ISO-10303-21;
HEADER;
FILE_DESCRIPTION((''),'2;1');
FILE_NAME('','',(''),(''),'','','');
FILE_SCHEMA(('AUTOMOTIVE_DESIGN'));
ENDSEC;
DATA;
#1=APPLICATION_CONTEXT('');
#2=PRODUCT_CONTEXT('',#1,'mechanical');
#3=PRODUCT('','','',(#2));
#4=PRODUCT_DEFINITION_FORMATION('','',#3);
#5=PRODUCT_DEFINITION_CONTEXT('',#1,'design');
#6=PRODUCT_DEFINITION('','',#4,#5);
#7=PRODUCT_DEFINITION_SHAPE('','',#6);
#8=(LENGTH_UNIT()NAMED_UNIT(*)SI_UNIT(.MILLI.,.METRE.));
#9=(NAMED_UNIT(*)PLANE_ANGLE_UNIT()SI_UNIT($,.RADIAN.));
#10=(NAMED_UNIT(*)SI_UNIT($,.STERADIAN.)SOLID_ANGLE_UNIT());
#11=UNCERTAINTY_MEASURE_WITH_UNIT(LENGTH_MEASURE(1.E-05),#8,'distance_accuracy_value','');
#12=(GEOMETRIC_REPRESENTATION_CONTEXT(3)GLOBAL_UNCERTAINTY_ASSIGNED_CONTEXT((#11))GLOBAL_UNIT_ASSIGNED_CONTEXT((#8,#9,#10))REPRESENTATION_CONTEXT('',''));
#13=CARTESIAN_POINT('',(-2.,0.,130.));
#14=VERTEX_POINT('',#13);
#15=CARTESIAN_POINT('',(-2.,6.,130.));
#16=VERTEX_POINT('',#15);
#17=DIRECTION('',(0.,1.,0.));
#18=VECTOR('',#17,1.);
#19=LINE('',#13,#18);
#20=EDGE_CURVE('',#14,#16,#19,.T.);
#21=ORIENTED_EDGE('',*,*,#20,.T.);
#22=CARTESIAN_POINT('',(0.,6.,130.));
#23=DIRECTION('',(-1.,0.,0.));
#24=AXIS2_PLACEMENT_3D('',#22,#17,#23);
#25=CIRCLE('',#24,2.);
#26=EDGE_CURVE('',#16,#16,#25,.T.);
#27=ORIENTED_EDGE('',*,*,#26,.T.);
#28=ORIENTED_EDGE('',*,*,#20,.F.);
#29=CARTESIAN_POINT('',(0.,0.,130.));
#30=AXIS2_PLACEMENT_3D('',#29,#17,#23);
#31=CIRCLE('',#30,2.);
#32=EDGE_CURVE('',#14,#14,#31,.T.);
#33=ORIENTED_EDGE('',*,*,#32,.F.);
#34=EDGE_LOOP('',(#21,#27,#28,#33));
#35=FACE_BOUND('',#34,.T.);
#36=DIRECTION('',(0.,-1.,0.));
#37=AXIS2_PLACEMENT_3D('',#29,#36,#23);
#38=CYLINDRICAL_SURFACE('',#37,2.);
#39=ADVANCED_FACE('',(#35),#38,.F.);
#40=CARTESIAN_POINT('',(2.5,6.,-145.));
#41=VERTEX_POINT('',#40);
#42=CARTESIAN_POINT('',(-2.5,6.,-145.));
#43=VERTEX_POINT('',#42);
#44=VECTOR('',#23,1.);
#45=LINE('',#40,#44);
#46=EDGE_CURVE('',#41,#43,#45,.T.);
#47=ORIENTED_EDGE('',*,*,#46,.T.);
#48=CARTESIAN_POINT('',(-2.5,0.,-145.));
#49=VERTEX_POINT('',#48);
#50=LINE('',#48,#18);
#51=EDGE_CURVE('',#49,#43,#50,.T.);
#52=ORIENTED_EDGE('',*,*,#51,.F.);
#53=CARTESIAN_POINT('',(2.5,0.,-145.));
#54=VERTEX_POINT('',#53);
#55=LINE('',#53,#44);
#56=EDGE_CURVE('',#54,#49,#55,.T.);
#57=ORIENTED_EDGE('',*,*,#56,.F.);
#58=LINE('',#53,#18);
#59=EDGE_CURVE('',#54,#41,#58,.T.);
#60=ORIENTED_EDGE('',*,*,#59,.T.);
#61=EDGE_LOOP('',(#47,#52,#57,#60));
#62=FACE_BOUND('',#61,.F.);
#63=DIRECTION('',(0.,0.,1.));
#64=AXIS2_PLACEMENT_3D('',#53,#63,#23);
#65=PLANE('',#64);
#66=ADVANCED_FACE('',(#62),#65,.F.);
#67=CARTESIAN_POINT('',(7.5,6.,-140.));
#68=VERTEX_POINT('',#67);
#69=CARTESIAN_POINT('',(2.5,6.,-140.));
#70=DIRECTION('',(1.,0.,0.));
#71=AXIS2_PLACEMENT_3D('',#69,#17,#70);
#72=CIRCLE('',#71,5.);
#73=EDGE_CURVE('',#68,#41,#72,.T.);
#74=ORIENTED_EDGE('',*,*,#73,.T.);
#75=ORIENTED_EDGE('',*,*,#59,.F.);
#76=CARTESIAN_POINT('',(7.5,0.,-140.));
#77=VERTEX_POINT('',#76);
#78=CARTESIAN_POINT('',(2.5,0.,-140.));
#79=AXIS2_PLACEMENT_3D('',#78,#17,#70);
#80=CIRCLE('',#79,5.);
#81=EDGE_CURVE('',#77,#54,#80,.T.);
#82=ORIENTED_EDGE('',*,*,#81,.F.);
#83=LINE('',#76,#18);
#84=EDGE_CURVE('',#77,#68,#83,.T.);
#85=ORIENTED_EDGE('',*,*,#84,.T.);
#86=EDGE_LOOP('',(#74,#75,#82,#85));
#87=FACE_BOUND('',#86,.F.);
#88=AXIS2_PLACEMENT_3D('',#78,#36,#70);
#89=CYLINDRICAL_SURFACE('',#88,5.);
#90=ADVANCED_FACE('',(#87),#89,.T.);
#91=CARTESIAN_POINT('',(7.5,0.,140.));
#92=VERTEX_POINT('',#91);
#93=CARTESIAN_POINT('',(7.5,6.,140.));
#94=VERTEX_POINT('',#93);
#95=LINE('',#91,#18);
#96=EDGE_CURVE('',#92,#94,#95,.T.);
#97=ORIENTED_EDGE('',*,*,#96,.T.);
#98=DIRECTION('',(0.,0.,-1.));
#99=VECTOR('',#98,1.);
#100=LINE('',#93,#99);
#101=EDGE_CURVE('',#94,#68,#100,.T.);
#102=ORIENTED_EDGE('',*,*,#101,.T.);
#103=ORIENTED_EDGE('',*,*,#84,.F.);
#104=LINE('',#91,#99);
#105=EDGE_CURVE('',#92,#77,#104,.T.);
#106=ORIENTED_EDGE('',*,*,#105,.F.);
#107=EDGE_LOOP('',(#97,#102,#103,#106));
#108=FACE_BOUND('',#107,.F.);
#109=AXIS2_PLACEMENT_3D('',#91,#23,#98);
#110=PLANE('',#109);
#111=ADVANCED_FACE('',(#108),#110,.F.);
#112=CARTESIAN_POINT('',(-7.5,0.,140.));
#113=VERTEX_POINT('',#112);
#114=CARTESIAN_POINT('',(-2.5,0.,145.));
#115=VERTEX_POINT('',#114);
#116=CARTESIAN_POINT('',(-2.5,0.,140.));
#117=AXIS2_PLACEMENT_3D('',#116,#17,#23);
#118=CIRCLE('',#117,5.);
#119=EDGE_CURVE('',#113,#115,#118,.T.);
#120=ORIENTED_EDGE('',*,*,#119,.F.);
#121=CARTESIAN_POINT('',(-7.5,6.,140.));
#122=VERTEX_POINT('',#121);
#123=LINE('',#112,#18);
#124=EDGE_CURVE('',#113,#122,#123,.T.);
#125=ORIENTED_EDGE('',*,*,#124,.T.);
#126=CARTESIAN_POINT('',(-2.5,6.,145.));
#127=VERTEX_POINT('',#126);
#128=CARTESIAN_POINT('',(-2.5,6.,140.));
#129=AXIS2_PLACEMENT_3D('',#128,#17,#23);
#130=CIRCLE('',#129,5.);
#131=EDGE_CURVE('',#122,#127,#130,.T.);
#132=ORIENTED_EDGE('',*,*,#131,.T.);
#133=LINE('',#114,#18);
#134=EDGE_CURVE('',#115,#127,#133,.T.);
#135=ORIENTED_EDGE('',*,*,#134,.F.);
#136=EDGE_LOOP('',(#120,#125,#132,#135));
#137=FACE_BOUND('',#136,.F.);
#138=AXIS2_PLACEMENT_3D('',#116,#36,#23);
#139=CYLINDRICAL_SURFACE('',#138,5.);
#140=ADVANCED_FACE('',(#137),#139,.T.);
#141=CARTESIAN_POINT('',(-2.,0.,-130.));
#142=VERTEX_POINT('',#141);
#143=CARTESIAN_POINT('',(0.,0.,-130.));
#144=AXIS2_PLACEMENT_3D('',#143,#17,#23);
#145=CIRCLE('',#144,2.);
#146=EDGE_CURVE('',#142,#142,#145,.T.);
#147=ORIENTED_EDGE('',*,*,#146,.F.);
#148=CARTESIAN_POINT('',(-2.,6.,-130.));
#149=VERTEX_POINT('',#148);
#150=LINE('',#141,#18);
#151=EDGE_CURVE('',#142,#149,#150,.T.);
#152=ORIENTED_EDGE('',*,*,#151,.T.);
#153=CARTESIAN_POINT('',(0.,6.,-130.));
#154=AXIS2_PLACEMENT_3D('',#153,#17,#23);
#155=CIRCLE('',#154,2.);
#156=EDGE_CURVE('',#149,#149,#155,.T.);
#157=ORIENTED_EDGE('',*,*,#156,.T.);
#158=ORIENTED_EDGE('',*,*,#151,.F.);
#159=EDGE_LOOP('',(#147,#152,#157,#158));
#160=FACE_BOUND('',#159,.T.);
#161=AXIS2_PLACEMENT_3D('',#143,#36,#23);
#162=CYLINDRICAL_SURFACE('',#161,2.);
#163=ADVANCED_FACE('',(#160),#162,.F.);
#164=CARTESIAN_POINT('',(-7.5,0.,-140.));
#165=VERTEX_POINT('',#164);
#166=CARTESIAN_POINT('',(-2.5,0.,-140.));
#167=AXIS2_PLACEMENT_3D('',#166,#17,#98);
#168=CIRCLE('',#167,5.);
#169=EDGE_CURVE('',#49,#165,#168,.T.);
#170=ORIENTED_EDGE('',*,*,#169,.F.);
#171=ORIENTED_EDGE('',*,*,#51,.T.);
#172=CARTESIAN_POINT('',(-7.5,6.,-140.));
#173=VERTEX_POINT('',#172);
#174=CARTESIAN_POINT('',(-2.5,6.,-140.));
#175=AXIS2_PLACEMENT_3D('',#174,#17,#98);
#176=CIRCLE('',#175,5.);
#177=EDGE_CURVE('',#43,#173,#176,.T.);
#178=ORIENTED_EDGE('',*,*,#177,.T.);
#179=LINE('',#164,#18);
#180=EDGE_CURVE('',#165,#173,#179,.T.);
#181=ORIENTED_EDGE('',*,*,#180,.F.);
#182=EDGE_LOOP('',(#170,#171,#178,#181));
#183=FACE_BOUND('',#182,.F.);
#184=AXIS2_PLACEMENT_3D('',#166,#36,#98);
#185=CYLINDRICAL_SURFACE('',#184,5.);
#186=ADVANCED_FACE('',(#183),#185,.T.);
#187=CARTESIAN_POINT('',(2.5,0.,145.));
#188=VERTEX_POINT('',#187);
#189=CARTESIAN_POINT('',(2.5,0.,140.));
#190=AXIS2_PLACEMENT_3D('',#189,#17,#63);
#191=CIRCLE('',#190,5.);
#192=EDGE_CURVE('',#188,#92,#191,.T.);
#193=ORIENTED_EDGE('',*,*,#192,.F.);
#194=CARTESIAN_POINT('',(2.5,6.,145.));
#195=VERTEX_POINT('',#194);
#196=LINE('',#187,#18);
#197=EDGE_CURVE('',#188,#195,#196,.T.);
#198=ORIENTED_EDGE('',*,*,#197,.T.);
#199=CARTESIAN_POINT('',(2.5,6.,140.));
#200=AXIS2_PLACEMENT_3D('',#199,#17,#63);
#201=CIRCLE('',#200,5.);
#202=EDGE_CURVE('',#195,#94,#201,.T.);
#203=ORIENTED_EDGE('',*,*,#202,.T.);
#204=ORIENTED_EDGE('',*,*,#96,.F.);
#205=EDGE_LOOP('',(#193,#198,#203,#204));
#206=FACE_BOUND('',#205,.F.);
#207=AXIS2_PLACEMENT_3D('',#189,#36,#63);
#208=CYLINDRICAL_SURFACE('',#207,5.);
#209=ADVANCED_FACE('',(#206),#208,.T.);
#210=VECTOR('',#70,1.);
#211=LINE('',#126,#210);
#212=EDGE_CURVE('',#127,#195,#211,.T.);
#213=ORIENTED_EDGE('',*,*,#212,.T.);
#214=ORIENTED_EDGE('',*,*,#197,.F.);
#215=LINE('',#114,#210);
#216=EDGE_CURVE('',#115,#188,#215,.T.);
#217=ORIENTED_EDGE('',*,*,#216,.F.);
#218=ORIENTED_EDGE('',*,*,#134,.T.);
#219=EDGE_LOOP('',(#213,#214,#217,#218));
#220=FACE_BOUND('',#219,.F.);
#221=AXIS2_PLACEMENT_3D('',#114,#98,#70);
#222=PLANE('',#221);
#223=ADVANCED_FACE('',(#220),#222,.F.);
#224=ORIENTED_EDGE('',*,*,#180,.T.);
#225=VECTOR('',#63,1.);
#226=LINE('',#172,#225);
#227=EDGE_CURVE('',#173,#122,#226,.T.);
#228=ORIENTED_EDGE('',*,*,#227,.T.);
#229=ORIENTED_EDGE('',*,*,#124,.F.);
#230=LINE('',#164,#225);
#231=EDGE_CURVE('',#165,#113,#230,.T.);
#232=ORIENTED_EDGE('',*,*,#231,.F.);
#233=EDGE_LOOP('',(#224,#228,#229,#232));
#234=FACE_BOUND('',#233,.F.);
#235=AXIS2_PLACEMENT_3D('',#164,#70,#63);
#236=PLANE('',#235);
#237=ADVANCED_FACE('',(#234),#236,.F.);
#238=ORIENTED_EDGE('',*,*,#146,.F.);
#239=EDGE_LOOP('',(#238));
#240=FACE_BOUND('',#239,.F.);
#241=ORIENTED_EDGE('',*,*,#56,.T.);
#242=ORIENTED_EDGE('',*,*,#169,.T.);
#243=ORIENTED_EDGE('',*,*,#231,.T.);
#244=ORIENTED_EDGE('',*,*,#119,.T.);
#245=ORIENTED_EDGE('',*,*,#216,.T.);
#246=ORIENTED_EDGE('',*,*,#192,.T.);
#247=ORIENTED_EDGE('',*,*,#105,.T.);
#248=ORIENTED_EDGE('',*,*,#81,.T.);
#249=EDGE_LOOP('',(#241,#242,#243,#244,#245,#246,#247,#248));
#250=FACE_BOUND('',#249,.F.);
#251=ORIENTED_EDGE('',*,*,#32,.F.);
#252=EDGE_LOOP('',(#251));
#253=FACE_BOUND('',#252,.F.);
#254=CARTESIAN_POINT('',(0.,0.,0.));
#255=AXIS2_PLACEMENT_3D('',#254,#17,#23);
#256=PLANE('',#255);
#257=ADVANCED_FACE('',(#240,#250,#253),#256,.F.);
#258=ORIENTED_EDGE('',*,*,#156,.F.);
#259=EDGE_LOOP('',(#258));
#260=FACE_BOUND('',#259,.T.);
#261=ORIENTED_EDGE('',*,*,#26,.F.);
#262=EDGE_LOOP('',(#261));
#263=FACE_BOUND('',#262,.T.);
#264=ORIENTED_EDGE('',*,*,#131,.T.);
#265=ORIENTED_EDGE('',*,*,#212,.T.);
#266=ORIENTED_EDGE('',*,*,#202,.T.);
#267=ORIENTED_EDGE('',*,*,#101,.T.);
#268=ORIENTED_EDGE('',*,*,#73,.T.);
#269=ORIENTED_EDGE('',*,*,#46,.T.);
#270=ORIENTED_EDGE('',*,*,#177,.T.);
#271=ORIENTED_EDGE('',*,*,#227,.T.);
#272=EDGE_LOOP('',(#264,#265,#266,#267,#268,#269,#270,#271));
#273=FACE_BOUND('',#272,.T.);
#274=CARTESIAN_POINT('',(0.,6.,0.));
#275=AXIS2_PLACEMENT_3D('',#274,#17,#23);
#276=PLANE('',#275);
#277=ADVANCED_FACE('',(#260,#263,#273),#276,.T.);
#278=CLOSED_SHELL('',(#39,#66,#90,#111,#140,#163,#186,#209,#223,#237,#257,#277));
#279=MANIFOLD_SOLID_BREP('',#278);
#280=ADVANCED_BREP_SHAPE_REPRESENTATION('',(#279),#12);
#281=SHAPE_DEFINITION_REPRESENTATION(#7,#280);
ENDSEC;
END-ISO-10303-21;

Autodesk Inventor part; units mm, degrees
ref_plane "YZ Plane" through (0, 0, 0) normal (1, 0, 0) x (0, 1, 0)
ref_plane "XZ Plane" through (0, 0, 0) normal (0, 1, 0) x (-1, 0, 0)
ref_plane "XY Plane" through (0, 0, 0) normal (0, 0, 1) x (1, 0, 0)
sketch "Szkic1" plane through (0, 0, 0) normal (0, 1, 0) x (-1, 0, 0)
  line L0 (2.5, 145) -> (-2.5, 145)
  line L1 (-7.5, 140) -> (-7.5, -140)
  line L2 (-2.5, -145) -> (2.5, -145)
  line L3 (7.5, -140) -> (7.5, 140)
  line L4 (7.5, 145) -> (-7.5, -145) construction
  line L5 (-7.5, 145) -> (7.5, -145) construction
  circle A0 centre (0, 130) radius 2
  circle A1 centre (0, -130) radius 2
  arc A2 (2.5, -145) -> (7.5, -140) centre (2.5, -140) ccw
  arc A3 (-7.5, -140) -> (-2.5, -145) centre (-2.5, -140) ccw
  arc A4 (7.5, 140) -> (2.5, 145) centre (2.5, 140) ccw
  arc A5 (-2.5, 145) -> (-7.5, 140) centre (-2.5, 140) ccw
  point P0 (0, 0)
  dimension "d0" = 15
  dimension "d1" = 290
  dimension "d2" = 4
  dimension "d3" = 4
  dimension "d4" = 5
extrude "Wyciągnięcie proste1" add sketch "Szkic1" along normal blind 6
properties part number "Lift"
